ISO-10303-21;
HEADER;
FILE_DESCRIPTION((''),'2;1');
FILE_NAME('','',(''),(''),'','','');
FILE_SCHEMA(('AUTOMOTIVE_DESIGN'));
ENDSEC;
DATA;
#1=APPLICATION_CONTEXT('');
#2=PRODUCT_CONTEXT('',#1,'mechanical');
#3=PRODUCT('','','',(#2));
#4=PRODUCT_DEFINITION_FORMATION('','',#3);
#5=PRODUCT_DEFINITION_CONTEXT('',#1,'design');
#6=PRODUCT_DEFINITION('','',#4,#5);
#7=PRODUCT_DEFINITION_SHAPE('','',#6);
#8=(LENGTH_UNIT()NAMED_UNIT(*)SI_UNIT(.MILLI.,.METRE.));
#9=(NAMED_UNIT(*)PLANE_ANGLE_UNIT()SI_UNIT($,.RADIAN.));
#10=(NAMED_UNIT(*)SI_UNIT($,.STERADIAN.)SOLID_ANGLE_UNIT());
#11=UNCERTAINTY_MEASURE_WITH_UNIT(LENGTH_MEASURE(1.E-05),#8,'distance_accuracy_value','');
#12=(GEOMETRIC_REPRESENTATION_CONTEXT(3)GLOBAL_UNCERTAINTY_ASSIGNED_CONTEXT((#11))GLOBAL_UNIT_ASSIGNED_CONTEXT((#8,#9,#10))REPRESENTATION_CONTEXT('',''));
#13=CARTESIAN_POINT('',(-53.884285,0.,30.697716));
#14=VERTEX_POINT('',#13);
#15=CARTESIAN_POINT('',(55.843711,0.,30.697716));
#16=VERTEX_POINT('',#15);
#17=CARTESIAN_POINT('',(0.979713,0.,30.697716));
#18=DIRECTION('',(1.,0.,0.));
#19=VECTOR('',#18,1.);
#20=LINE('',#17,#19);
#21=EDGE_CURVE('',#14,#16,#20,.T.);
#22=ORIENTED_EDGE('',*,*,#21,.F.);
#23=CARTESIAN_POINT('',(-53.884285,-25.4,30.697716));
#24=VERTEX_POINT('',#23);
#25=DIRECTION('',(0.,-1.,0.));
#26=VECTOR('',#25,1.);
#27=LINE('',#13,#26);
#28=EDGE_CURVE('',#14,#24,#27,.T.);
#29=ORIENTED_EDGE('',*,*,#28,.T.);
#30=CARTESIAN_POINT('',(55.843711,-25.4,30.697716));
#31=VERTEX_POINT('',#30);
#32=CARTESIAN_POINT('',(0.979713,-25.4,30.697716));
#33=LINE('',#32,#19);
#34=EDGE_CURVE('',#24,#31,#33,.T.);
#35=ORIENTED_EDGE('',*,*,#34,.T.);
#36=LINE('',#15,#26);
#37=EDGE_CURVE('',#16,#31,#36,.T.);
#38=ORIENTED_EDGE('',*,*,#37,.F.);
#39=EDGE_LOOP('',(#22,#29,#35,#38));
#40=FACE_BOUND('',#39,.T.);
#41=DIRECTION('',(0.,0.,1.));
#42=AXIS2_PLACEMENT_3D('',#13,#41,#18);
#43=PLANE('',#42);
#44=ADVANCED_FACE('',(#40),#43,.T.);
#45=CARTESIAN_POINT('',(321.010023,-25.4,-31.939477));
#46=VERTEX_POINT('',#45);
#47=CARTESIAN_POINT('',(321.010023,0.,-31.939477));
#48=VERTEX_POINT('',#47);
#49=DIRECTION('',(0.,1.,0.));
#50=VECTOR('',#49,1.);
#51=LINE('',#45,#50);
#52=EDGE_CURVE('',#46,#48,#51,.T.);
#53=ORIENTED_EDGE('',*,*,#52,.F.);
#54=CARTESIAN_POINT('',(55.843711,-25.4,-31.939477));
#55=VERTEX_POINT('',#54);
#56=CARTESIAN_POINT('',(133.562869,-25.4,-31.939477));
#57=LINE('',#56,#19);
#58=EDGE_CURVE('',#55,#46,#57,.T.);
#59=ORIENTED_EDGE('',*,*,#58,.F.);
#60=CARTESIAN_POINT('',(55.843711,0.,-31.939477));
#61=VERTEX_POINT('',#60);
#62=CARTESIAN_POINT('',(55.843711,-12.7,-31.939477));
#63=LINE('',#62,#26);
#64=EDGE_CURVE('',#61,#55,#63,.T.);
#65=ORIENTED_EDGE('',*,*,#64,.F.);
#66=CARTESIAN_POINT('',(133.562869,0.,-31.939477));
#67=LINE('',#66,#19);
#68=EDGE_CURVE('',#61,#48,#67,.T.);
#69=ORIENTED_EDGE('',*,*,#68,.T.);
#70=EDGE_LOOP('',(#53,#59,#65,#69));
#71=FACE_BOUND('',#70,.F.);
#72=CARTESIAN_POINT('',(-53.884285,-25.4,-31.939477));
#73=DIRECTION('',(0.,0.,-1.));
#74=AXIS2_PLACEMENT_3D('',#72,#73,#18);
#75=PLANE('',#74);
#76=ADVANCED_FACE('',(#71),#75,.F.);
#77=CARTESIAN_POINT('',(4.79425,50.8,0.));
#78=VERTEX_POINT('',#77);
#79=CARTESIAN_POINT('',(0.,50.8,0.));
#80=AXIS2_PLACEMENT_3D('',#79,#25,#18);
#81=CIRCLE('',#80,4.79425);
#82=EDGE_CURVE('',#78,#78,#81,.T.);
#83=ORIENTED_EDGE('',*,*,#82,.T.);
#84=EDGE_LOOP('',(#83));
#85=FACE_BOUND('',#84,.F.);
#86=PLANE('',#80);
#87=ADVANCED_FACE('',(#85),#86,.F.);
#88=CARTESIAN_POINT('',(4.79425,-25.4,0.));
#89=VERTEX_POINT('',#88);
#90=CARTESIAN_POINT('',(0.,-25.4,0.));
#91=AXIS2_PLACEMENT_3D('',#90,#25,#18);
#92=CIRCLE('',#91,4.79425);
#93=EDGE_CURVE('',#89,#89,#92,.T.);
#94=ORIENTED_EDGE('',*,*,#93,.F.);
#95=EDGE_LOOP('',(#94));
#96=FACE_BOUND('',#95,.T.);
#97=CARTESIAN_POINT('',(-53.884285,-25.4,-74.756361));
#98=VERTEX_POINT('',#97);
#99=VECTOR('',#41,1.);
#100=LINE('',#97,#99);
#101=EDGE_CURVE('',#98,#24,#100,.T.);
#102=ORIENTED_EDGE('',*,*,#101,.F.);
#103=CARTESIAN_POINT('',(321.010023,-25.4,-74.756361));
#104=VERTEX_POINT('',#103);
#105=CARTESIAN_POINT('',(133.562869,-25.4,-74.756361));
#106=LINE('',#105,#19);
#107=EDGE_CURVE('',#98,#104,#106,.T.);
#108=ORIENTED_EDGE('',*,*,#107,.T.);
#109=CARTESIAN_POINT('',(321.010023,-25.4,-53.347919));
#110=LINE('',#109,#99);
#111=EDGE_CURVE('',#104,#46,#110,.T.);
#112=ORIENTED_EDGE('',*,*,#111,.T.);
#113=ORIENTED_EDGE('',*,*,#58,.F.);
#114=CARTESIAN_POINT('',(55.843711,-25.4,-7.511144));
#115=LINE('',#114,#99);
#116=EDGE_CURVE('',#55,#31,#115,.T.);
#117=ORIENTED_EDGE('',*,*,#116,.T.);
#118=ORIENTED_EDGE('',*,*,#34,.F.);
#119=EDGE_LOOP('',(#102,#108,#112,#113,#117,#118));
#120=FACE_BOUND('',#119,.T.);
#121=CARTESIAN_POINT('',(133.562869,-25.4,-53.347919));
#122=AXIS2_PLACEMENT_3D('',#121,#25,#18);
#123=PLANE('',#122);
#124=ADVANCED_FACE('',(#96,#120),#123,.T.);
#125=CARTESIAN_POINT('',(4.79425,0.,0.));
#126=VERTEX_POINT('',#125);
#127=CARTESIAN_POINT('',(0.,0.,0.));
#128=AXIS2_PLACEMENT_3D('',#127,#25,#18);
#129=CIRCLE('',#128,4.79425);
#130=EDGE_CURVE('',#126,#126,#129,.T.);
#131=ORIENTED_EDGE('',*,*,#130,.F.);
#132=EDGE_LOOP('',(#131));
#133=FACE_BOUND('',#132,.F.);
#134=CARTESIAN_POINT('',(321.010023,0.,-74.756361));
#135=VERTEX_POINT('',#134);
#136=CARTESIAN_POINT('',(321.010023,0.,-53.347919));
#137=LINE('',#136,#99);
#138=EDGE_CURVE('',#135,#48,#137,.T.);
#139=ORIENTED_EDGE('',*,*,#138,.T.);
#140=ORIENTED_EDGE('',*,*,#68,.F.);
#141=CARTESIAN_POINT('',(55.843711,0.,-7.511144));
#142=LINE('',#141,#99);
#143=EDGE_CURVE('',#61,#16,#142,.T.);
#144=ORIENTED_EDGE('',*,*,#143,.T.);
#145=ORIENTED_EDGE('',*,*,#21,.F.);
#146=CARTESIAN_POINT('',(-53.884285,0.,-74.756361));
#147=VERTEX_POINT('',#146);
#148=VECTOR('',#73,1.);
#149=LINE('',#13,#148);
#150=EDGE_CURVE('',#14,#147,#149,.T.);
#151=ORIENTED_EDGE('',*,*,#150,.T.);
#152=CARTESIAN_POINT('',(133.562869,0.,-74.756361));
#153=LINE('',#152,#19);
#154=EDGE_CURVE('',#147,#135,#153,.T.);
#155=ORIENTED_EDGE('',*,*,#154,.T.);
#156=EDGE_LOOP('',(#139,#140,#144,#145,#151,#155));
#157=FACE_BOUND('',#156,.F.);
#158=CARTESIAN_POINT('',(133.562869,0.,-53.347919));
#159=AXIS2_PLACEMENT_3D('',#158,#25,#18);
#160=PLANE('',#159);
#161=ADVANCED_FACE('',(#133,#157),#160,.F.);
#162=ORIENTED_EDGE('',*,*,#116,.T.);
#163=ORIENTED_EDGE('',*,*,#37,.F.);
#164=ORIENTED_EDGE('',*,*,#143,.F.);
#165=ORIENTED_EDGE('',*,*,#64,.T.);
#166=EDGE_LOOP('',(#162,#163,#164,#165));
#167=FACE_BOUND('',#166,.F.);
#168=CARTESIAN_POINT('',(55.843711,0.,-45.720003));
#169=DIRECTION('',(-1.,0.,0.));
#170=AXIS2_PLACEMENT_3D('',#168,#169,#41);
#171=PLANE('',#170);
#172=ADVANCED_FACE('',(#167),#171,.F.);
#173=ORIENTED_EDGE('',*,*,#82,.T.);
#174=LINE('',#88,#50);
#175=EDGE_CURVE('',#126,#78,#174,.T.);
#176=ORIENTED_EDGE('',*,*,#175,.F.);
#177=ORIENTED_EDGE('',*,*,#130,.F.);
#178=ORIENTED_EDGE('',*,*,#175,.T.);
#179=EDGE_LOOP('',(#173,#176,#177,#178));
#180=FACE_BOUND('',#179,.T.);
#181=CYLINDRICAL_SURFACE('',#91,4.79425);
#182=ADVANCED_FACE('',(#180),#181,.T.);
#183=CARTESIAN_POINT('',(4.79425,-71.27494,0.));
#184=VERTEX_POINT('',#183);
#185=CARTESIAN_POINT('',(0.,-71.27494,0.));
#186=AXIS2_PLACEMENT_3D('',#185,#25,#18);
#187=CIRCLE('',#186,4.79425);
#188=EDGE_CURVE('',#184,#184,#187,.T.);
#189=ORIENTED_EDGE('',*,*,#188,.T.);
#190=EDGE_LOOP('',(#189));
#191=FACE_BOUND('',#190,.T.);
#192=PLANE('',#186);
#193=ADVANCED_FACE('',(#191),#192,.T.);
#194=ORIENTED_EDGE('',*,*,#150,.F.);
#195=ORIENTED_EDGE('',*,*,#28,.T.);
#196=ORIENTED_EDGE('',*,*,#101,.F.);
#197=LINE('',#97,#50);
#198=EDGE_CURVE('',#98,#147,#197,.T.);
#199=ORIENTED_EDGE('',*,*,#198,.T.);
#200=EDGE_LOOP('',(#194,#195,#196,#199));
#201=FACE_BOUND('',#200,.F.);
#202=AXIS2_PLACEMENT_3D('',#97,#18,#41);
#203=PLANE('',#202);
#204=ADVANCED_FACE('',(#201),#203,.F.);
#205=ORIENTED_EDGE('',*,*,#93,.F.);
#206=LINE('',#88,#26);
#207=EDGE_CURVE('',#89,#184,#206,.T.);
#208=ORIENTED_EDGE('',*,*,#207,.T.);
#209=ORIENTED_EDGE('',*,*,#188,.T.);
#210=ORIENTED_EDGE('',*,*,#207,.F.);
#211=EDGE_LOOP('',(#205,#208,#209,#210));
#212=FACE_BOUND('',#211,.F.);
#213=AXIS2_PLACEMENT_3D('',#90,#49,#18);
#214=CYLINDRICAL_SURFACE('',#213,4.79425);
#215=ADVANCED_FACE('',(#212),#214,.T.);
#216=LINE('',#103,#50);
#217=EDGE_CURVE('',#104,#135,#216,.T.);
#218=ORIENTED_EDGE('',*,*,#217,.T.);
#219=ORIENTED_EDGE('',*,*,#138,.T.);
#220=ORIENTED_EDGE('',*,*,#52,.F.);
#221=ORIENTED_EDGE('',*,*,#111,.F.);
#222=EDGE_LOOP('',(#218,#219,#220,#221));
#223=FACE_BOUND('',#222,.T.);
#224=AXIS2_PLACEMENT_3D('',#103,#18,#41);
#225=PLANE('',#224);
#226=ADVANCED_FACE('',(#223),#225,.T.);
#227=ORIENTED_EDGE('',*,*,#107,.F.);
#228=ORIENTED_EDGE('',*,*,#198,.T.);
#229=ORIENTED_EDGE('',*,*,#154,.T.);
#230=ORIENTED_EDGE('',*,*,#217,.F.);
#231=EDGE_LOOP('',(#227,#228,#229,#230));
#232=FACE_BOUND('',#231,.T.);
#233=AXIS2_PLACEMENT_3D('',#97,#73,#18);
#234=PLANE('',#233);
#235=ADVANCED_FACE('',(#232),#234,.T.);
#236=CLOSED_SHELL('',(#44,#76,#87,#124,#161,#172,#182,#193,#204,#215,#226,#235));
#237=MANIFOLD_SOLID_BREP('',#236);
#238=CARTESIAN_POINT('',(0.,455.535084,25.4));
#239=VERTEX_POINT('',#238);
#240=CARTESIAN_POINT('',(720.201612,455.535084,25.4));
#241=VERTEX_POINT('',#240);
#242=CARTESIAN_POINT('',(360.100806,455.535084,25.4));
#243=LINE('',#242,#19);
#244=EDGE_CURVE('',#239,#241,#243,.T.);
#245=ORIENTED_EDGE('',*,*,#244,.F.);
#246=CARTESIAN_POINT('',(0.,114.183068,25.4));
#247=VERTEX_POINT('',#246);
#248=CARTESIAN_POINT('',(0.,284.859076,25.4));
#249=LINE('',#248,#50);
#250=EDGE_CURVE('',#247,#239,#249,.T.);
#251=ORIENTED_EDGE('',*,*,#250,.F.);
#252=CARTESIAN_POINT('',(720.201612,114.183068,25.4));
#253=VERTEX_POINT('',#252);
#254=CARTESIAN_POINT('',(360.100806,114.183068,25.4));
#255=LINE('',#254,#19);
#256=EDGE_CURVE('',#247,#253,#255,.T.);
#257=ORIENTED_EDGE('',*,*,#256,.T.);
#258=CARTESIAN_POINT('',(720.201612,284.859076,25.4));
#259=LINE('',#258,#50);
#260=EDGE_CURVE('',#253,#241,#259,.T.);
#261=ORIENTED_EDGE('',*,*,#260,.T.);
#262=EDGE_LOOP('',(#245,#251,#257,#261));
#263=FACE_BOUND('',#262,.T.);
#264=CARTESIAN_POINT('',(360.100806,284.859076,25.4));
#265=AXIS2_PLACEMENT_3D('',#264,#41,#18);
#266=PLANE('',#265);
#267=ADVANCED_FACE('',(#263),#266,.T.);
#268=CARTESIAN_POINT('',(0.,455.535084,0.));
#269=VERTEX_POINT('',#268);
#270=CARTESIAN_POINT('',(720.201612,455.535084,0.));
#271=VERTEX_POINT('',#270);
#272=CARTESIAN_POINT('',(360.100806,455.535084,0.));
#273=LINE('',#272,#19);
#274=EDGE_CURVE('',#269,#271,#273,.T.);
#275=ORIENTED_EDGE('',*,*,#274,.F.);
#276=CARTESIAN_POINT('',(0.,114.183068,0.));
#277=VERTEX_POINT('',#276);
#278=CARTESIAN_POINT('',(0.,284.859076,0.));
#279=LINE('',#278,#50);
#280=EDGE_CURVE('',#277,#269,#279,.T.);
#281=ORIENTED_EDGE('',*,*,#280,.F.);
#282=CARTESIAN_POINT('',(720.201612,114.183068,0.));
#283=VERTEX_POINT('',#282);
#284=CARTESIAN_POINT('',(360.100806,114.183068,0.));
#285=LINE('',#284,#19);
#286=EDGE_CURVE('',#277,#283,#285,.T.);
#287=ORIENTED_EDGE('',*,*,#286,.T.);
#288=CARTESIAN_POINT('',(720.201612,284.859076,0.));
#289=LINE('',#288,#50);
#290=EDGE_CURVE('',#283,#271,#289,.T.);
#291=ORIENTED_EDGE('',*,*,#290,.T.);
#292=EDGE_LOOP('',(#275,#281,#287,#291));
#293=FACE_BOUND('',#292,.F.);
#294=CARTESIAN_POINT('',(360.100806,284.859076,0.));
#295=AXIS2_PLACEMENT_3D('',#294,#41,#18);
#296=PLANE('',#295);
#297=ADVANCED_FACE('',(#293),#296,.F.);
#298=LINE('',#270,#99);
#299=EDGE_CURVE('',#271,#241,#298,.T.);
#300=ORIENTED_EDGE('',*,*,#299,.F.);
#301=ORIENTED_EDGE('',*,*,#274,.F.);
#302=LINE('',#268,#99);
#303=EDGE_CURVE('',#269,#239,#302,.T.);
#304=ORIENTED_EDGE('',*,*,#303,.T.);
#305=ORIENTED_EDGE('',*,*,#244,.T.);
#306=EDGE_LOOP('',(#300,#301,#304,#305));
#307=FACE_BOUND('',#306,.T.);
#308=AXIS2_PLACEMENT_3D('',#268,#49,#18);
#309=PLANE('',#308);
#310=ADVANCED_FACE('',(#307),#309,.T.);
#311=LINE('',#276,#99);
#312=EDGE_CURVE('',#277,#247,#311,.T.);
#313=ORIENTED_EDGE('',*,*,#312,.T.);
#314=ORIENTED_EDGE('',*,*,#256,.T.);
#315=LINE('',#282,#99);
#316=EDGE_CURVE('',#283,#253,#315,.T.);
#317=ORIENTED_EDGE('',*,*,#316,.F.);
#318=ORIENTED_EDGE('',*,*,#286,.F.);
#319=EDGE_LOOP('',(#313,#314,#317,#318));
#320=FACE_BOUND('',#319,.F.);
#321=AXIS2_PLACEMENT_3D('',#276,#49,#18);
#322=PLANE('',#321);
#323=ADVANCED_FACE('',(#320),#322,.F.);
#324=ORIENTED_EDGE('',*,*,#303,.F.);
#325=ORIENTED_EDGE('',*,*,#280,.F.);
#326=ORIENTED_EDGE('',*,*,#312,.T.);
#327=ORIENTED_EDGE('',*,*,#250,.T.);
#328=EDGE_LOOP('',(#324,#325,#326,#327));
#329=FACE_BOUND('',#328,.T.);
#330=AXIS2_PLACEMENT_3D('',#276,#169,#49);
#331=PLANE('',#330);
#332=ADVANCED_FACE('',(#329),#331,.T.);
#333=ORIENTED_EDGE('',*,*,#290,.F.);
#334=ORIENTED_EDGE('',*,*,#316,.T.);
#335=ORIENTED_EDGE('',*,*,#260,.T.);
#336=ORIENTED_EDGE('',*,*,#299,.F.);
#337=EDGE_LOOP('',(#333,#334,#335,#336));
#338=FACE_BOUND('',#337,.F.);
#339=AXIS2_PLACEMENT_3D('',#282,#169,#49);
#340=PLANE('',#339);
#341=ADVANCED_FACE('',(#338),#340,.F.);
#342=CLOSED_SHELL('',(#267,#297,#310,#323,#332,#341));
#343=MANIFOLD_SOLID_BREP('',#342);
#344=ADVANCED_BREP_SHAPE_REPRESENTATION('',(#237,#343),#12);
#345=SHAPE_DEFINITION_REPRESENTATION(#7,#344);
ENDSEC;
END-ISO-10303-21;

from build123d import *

# Parameters (mm, degrees)
F0_W          = 109.727997
F0_H          = 76.417719
F1_DEPTH      = 25.4
F2_R          = 4.79425
F3_DEPTH      = 45.87494
F3_DEPTH_BACK = 76.2
F4_W          = 374.894309
F4_H          = 42.816885
F5_DEPTH      = 25.4
F6_W          = 720.201612
F6_H          = 341.352016
F7_DEPTH      = 25.4


with BuildPart() as f1:
    # F0 (on Front) → F1 (new body)
    with BuildSketch(Plane.XZ):
        with Locations((0.979713, -7.511144)):
            Rectangle(F0_W, F0_H)
    extrude(amount=F1_DEPTH)

    # F2 (on face) → F3 (join, two sides)
    with BuildSketch(Plane.XZ.offset(25.4)) as f3_sk:
        Circle(F2_R)
    extrude(amount=F3_DEPTH)
    extrude(f3_sk.sketch, amount=-F3_DEPTH_BACK)

    # F4 (on face) → F5 (join)
    with BuildSketch(Plane.XZ.offset(25.4)):
        with Locations((133.562869, -53.347919)):
            Rectangle(F4_W, F4_H)
    extrude(amount=-F5_DEPTH)


with BuildPart() as f7:
    # F6 (on Top) → F7 (new body)
    with BuildSketch(Plane.XY):
        with Locations((360.100806, 284.859076)):
            Rectangle(F6_W, F6_H)
    extrude(amount=F7_DEPTH)


solid = Compound([f1.part, f7.part])
